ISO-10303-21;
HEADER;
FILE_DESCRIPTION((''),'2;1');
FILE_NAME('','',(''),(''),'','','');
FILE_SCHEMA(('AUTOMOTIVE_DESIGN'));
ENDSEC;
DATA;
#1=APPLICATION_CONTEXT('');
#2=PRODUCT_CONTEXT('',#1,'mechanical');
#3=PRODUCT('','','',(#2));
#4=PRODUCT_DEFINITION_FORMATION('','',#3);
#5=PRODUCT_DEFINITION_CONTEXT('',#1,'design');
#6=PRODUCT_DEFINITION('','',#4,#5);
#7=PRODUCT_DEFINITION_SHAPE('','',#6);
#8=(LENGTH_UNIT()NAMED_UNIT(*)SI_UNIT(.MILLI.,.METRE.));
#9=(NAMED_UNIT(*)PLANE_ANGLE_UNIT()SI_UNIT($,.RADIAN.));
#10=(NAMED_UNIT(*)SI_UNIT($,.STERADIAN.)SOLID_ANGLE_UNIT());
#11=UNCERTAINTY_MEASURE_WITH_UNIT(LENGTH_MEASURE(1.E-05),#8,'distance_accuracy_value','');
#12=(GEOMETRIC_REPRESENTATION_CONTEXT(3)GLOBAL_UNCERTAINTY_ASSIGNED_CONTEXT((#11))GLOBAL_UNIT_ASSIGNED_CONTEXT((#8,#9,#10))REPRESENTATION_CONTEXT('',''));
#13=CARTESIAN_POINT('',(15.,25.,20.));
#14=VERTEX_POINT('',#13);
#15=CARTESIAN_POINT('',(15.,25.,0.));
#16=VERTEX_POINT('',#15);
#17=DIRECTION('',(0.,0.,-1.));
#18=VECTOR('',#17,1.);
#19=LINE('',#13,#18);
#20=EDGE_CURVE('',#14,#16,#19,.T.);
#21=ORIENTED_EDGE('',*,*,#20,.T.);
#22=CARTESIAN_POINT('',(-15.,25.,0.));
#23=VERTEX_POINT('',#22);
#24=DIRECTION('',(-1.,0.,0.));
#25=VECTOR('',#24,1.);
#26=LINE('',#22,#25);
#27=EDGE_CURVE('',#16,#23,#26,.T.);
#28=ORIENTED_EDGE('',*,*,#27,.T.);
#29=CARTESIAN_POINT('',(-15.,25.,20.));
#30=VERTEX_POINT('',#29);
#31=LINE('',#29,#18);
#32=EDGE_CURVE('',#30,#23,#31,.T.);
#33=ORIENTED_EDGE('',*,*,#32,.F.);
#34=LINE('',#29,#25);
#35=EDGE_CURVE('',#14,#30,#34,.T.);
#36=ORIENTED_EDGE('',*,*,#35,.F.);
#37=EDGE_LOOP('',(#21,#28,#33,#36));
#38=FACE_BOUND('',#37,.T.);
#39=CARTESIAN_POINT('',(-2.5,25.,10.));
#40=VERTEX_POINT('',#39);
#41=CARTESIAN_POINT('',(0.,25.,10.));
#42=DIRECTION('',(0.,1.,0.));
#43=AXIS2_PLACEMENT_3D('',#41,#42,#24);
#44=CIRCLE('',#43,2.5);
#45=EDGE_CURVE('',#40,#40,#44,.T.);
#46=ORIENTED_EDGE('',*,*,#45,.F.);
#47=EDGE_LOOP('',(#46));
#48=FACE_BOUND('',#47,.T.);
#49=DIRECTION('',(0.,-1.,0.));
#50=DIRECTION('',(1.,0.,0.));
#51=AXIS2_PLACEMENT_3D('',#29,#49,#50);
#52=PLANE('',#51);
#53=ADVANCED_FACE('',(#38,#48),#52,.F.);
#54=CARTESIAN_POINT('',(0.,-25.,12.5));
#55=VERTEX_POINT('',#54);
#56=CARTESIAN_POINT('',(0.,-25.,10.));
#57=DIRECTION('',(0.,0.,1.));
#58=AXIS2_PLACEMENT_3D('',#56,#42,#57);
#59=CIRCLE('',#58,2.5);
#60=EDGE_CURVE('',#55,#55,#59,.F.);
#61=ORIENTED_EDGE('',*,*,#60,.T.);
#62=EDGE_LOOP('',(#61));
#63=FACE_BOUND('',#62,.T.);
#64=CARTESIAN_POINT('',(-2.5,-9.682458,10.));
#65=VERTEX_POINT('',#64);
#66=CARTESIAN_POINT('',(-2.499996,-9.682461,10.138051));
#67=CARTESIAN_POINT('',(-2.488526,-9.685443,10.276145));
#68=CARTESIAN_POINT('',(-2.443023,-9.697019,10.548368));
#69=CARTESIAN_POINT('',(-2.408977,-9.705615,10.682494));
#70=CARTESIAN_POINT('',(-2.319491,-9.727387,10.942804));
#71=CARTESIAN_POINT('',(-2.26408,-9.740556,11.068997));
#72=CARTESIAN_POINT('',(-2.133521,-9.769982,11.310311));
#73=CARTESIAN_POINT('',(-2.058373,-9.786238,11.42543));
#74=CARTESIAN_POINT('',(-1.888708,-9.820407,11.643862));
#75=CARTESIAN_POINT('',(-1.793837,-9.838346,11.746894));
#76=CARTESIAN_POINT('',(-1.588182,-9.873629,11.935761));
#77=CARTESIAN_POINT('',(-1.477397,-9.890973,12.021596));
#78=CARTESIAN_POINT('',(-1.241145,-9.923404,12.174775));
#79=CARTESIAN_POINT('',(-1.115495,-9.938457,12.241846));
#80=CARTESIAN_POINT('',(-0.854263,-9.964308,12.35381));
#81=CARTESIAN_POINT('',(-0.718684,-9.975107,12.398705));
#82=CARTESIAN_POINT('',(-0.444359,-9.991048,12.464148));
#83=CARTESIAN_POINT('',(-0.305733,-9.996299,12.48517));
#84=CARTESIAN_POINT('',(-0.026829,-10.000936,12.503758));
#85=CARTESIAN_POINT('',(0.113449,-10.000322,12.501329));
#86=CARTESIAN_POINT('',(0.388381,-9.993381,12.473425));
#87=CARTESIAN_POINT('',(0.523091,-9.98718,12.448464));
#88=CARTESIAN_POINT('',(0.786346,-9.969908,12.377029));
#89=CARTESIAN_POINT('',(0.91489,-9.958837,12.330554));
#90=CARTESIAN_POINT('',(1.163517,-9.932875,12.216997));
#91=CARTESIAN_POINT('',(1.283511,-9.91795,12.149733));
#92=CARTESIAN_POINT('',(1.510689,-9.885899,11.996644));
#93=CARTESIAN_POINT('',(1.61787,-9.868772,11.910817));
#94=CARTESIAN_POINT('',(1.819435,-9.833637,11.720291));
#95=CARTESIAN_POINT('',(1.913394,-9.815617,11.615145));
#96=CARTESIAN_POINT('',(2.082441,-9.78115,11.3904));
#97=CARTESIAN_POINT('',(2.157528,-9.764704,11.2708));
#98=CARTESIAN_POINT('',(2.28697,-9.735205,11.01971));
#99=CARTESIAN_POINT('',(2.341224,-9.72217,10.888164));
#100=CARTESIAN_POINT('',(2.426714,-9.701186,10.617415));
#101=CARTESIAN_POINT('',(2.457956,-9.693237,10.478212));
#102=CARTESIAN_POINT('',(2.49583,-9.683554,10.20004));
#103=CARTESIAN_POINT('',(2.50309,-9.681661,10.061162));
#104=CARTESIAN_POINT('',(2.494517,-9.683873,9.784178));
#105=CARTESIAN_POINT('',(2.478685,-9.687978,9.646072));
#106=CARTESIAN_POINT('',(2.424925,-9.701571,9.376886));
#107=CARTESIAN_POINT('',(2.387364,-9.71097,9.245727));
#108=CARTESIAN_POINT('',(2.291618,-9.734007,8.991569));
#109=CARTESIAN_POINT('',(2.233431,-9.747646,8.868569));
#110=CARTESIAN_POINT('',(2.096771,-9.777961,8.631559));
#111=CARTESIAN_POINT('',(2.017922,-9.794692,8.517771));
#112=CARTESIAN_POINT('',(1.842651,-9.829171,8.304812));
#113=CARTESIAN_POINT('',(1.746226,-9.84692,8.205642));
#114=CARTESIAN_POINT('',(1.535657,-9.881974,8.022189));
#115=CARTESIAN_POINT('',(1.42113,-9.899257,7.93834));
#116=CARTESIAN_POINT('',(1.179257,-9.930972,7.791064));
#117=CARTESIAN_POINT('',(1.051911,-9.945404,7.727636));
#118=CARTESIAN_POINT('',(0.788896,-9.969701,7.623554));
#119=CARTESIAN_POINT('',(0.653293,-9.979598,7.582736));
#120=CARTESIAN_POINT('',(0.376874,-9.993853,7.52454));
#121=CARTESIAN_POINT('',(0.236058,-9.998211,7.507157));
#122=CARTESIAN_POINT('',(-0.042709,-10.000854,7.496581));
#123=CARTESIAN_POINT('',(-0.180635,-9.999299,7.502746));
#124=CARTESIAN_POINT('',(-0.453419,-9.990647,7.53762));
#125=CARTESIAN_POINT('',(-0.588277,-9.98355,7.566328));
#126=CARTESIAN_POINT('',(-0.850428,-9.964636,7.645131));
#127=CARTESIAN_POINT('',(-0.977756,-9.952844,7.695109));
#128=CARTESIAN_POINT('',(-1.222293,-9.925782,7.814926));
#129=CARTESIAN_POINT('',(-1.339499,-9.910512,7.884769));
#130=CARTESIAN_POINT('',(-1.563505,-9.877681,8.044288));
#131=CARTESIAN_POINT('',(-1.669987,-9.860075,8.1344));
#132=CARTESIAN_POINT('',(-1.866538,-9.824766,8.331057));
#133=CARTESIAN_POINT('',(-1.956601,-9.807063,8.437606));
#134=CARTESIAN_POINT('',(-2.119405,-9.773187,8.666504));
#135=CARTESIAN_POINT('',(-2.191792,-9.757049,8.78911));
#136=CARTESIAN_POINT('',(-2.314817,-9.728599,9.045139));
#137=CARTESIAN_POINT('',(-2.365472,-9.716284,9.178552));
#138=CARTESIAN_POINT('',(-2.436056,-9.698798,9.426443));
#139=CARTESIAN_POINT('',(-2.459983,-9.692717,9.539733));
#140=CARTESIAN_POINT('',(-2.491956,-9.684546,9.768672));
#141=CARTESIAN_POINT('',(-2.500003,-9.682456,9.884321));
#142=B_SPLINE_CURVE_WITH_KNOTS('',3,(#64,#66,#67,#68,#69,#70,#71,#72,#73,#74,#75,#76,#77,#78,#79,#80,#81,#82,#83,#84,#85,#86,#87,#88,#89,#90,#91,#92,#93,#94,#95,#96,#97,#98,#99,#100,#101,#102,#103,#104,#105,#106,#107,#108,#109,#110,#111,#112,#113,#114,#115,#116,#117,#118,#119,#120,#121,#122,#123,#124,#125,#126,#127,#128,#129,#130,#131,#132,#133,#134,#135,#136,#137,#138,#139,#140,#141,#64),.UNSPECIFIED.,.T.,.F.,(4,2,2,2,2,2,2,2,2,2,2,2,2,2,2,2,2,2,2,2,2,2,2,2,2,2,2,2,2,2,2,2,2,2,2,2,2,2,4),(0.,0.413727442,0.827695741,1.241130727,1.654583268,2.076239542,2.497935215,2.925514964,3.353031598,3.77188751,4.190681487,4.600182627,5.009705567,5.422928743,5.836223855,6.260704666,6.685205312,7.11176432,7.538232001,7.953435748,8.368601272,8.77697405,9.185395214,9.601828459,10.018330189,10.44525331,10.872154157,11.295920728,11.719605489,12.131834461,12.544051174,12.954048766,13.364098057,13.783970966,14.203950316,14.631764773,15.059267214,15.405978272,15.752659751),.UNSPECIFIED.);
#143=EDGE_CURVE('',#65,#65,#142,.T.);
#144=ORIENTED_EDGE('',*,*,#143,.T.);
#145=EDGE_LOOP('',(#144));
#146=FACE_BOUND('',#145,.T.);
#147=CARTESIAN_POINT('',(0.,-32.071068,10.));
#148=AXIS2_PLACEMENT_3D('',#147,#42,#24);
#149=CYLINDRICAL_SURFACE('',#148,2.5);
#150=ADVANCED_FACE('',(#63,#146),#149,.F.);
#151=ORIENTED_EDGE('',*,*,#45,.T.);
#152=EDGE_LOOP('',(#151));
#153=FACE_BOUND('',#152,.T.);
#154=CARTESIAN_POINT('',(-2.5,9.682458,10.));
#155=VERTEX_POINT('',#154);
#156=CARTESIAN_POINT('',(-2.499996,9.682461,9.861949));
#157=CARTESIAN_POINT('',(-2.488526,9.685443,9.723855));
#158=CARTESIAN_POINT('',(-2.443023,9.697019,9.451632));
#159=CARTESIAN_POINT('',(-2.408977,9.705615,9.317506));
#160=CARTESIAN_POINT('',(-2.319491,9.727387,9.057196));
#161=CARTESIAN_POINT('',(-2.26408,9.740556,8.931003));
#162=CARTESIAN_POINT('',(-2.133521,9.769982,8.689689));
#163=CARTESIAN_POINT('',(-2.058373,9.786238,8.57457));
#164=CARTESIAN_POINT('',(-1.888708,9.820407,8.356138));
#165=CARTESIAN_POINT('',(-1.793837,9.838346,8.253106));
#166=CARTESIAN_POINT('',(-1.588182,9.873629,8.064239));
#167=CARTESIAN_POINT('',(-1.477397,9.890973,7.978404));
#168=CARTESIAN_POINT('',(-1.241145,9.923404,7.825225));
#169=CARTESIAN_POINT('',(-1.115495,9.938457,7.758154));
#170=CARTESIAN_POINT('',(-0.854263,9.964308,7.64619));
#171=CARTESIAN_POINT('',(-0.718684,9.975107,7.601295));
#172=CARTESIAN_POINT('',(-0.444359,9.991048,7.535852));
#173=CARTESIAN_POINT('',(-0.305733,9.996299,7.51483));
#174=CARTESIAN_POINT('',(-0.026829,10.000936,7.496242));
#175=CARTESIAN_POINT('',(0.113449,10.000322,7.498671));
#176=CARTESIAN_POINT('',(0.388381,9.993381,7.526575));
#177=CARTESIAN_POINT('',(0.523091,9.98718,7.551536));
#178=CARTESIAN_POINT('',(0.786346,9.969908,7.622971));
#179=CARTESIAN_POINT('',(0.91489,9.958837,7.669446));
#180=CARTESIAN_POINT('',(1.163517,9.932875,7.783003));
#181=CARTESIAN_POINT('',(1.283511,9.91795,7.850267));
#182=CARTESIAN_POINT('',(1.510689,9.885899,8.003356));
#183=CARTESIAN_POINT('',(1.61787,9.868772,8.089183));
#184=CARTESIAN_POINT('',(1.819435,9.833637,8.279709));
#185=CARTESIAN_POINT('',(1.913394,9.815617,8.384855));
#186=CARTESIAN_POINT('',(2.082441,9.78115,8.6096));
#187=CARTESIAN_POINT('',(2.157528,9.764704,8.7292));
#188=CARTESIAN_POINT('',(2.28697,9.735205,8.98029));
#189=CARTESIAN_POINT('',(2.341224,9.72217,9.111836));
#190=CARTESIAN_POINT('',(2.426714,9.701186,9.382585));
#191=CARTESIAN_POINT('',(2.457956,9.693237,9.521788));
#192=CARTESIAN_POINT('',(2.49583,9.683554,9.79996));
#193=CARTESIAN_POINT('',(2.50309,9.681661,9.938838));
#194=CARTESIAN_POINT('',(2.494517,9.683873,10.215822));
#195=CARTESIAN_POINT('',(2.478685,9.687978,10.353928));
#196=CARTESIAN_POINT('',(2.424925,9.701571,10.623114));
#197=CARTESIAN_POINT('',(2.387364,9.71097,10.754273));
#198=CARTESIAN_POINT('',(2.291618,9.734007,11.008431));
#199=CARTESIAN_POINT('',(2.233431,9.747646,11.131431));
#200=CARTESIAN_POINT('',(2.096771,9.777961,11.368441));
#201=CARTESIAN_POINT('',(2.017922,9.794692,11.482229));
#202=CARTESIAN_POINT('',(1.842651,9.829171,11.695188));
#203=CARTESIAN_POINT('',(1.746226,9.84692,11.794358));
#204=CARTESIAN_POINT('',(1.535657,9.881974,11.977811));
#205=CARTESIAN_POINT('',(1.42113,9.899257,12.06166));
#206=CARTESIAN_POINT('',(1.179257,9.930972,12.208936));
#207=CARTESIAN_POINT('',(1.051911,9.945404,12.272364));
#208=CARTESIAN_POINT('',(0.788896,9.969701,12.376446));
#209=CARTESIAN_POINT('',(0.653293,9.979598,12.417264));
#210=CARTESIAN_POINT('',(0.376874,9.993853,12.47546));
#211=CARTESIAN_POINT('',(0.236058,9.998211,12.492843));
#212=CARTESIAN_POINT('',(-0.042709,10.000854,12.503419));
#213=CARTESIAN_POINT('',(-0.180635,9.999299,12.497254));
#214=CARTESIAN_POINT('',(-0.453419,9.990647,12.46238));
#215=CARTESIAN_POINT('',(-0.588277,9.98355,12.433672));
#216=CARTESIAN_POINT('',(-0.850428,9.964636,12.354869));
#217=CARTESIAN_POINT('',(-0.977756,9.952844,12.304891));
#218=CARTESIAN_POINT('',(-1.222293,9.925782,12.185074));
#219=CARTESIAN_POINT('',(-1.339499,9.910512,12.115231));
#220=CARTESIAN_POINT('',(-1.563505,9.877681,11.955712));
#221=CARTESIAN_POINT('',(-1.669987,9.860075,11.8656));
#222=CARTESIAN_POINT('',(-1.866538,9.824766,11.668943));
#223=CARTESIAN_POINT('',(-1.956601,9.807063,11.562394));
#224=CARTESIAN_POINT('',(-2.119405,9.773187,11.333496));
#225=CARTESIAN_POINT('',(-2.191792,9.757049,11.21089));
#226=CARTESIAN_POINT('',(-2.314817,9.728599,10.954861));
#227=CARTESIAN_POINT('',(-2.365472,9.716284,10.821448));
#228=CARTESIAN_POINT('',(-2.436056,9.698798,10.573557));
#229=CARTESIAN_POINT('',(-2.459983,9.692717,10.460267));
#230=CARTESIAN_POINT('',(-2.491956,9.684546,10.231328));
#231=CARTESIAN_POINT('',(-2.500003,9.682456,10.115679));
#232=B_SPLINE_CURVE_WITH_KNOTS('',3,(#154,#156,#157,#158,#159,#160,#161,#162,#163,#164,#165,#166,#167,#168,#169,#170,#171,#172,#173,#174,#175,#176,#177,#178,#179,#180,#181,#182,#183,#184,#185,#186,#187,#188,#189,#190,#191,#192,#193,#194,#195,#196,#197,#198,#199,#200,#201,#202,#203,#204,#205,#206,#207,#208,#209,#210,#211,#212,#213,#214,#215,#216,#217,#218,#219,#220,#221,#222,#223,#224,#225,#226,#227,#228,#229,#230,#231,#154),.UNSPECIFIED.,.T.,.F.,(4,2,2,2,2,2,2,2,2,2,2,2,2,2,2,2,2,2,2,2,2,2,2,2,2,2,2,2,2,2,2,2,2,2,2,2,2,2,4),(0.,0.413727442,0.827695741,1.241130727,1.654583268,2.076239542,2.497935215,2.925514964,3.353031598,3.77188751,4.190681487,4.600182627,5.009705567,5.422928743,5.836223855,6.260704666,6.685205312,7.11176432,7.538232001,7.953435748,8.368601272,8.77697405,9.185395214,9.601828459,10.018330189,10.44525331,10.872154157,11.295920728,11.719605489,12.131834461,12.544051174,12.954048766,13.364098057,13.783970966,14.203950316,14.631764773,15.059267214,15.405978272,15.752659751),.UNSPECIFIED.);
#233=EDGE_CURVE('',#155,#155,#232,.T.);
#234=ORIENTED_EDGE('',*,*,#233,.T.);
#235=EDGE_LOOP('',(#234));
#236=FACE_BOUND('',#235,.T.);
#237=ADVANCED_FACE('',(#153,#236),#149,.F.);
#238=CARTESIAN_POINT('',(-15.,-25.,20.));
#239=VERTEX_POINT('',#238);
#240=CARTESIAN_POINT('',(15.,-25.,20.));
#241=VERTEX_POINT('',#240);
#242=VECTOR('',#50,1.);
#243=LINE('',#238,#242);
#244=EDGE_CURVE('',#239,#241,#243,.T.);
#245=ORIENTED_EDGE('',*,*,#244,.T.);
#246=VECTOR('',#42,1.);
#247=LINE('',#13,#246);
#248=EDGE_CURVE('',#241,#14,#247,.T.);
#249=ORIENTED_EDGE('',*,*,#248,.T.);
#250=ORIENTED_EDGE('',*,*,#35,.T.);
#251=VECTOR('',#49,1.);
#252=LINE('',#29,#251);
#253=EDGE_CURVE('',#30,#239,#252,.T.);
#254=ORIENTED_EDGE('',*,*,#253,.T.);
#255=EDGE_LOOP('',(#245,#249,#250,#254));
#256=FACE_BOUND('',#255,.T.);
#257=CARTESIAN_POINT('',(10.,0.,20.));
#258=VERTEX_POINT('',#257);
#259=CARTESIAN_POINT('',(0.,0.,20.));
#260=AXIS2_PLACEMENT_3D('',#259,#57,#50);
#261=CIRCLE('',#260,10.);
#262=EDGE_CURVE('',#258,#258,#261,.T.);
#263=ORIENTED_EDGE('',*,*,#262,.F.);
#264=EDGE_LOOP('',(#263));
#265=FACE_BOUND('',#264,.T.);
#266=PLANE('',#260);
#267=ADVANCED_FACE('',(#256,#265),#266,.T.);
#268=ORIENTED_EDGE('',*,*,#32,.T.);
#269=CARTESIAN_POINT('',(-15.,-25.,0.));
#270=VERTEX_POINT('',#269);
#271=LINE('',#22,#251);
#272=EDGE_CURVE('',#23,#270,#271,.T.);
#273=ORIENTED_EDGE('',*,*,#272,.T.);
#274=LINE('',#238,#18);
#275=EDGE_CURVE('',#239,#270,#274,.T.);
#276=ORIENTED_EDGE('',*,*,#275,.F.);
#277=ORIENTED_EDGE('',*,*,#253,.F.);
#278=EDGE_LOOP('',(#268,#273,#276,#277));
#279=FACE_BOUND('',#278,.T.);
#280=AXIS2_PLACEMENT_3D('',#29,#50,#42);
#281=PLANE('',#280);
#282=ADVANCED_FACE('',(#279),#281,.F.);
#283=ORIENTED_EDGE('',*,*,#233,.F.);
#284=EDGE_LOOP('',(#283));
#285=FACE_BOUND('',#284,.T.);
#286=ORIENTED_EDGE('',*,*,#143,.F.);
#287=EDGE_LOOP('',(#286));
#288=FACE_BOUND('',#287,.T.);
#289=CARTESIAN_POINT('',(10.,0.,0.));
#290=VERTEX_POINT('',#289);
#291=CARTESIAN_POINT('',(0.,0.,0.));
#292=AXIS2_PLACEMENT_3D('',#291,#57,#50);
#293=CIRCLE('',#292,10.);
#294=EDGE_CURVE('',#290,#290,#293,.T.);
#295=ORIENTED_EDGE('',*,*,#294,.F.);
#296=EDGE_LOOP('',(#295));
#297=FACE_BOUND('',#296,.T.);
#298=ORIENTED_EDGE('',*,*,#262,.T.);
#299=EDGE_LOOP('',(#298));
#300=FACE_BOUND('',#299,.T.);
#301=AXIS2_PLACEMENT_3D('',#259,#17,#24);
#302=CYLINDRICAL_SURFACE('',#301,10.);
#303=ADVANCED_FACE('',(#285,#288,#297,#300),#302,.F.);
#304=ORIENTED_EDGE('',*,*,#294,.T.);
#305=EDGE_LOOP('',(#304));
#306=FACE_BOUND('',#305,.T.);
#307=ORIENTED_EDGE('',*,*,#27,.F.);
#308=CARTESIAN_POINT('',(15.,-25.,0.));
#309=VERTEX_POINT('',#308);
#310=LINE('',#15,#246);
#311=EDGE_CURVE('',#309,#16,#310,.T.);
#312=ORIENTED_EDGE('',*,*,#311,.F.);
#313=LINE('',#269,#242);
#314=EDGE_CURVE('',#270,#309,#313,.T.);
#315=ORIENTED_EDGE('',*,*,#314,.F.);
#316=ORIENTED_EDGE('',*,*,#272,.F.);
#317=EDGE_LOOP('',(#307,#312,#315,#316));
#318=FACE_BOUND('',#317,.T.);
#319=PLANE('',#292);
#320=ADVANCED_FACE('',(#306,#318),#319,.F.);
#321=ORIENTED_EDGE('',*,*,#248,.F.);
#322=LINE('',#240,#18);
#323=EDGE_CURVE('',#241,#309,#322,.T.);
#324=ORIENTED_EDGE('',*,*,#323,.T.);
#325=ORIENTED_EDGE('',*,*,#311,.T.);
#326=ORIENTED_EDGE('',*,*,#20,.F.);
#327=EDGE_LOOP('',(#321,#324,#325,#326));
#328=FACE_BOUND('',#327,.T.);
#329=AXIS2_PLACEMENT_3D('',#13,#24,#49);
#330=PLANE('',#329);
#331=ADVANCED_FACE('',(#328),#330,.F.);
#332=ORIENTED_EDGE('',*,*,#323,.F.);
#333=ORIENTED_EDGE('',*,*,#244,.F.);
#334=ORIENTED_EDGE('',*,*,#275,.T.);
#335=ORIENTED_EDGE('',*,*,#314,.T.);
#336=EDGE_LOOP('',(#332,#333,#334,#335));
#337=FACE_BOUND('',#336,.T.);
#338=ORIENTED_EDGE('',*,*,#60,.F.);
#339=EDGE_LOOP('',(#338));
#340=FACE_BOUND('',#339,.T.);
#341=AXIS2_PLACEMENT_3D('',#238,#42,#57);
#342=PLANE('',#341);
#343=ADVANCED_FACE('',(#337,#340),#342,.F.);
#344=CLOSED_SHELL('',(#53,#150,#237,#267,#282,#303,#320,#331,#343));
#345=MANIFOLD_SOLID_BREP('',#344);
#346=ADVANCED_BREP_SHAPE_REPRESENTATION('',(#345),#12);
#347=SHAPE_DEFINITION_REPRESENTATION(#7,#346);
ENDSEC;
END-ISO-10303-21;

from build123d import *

# Parameters (mm, degrees)
IZIM1_W                     = 30
IZIM1_H                     = 50
IZIM1_R                     = 10
Y_KSEKLIK_EKSTR_ZYON1_DEPTH = 20
KES_EKSTR_ZYON1_REACH       = 57.902
IZIM2_R                     = 2.5


with BuildPart() as part:
    # Çizim1 → Yükseklik-Ekstrüzyon1 (new body)
    with BuildSketch(Plane.XY):
        Rectangle(IZIM1_W, IZIM1_H)
        Circle(IZIM1_R, mode=Mode.SUBTRACT)
    extrude(amount=Y_KSEKLIK_EKSTR_ZYON1_DEPTH)

    # Kes-Ekstrüzyon1: up to this face of the body (flat: up to its plane)
    kes_ekstr_zyon1_end = Plane(part.part.faces().sort_by_distance((0, -25, 10))[0])
    # Çizim2 → Kes-Ekstrüzyon1 (cut, up to the picked face)
    with BuildSketch(Plane(origin=(0, 25, 0), x_dir=(1, 0, 0), z_dir=(0, 1, 0)), mode=Mode.PRIVATE) as kes_ekstr_zyon1_sk1:
        with Locations(Location((0, -10, 0), (0, 0, 180))):
            Circle(IZIM2_R)
    kes_ekstr_zyon1_tool1 = split(extrude(kes_ekstr_zyon1_sk1.sketch, amount=-KES_EKSTR_ZYON1_REACH, mode=Mode.PRIVATE), bisect_by=kes_ekstr_zyon1_end, keep=Keep.BOTH, mode=Mode.PRIVATE)
    add(kes_ekstr_zyon1_tool1.solids().sort_by(Axis((0, 25, 10), (0, -1, 0)))[0], mode=Mode.SUBTRACT)


solid = part.part
